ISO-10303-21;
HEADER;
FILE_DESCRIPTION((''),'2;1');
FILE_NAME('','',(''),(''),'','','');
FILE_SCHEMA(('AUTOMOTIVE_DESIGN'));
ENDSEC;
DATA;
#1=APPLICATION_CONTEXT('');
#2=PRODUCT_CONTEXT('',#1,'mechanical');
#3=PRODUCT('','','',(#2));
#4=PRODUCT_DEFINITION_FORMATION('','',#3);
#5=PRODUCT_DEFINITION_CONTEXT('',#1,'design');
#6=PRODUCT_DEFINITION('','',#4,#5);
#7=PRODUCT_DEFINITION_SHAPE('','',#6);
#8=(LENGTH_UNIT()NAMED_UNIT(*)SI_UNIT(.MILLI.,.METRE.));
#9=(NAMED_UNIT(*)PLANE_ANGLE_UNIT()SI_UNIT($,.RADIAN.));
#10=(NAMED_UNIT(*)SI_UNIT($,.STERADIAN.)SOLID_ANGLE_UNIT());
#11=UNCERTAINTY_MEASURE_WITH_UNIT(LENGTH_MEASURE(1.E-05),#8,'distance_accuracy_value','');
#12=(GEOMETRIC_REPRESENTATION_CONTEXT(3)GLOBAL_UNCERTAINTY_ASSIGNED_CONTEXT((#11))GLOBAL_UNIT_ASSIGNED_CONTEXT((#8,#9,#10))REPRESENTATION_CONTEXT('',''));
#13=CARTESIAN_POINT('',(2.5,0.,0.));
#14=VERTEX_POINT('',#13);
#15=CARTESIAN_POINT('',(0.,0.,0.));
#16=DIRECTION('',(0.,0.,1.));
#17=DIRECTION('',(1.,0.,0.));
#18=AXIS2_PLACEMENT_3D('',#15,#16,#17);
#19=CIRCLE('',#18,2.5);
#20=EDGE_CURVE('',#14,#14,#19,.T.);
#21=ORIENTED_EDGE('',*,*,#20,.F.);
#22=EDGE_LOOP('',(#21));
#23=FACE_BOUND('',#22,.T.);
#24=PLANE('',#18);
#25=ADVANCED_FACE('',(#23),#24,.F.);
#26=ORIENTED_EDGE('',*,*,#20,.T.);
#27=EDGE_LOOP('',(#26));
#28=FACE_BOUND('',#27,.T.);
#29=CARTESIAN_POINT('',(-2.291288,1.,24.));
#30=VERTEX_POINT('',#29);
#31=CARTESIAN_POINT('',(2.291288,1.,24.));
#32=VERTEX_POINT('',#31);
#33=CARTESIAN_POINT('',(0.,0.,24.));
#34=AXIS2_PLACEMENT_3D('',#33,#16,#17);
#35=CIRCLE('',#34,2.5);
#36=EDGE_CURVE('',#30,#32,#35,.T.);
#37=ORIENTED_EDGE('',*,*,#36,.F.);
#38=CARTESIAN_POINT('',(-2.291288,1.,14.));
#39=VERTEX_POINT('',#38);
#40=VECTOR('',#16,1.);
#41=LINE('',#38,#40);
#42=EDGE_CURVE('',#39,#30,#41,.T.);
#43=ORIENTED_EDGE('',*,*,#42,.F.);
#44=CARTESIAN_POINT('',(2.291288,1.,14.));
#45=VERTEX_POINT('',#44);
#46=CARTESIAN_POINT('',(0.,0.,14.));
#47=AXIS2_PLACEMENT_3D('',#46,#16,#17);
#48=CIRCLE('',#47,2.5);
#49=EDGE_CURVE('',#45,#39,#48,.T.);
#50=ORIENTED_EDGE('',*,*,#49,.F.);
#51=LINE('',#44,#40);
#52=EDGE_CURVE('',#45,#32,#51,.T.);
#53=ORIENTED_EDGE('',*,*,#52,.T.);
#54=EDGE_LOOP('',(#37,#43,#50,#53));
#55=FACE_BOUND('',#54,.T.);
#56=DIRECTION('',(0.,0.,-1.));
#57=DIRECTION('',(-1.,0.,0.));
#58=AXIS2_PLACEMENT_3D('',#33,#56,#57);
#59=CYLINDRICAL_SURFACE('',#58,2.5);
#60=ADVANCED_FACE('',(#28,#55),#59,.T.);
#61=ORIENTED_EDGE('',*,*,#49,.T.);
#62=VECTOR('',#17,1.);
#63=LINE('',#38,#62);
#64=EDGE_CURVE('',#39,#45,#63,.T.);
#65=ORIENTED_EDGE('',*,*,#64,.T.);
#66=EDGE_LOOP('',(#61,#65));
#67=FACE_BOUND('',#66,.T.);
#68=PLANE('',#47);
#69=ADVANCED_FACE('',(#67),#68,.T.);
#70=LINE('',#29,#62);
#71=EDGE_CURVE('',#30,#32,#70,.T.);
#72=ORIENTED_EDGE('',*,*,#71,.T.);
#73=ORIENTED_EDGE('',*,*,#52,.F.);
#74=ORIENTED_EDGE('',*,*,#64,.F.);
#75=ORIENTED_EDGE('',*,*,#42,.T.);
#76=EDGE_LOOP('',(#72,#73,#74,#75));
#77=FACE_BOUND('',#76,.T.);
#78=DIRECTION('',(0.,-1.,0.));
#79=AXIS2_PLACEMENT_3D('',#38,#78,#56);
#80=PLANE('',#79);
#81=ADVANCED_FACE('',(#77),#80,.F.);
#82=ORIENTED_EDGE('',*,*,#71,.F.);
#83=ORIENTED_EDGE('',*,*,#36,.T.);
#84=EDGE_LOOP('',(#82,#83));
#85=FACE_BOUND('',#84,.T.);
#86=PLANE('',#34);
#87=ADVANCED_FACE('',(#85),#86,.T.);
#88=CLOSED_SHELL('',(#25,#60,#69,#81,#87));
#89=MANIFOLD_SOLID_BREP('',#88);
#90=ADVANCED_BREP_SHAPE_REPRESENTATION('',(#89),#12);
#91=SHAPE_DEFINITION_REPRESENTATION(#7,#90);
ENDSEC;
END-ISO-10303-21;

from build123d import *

# Parameters (mm, degrees)
CROQUIS2_R              = 2.5
SALIENTE_EXTRUIR1_DEPTH = 24
CORTAR_EXTRUIR1_DEPTH   = 10


with BuildPart() as part:
    # Croquis2 → Saliente-Extruir1 (new body)
    with BuildSketch(Plane.XY):
        Circle(CROQUIS2_R)
    extrude(amount=SALIENTE_EXTRUIR1_DEPTH)

    # Croquis3 → Cortar-Extruir1 (cut)
    with BuildSketch(Plane.XY.offset(24)):
        with BuildLine():
            Line((-2.291287847, 1), (2.291287847, 1))
            ThreePointArc((2.291287847, 1), (0, 2.5), (-2.291287847, 1))
        make_face()
    extrude(amount=-CORTAR_EXTRUIR1_DEPTH, mode=Mode.SUBTRACT)


solid = part.part
